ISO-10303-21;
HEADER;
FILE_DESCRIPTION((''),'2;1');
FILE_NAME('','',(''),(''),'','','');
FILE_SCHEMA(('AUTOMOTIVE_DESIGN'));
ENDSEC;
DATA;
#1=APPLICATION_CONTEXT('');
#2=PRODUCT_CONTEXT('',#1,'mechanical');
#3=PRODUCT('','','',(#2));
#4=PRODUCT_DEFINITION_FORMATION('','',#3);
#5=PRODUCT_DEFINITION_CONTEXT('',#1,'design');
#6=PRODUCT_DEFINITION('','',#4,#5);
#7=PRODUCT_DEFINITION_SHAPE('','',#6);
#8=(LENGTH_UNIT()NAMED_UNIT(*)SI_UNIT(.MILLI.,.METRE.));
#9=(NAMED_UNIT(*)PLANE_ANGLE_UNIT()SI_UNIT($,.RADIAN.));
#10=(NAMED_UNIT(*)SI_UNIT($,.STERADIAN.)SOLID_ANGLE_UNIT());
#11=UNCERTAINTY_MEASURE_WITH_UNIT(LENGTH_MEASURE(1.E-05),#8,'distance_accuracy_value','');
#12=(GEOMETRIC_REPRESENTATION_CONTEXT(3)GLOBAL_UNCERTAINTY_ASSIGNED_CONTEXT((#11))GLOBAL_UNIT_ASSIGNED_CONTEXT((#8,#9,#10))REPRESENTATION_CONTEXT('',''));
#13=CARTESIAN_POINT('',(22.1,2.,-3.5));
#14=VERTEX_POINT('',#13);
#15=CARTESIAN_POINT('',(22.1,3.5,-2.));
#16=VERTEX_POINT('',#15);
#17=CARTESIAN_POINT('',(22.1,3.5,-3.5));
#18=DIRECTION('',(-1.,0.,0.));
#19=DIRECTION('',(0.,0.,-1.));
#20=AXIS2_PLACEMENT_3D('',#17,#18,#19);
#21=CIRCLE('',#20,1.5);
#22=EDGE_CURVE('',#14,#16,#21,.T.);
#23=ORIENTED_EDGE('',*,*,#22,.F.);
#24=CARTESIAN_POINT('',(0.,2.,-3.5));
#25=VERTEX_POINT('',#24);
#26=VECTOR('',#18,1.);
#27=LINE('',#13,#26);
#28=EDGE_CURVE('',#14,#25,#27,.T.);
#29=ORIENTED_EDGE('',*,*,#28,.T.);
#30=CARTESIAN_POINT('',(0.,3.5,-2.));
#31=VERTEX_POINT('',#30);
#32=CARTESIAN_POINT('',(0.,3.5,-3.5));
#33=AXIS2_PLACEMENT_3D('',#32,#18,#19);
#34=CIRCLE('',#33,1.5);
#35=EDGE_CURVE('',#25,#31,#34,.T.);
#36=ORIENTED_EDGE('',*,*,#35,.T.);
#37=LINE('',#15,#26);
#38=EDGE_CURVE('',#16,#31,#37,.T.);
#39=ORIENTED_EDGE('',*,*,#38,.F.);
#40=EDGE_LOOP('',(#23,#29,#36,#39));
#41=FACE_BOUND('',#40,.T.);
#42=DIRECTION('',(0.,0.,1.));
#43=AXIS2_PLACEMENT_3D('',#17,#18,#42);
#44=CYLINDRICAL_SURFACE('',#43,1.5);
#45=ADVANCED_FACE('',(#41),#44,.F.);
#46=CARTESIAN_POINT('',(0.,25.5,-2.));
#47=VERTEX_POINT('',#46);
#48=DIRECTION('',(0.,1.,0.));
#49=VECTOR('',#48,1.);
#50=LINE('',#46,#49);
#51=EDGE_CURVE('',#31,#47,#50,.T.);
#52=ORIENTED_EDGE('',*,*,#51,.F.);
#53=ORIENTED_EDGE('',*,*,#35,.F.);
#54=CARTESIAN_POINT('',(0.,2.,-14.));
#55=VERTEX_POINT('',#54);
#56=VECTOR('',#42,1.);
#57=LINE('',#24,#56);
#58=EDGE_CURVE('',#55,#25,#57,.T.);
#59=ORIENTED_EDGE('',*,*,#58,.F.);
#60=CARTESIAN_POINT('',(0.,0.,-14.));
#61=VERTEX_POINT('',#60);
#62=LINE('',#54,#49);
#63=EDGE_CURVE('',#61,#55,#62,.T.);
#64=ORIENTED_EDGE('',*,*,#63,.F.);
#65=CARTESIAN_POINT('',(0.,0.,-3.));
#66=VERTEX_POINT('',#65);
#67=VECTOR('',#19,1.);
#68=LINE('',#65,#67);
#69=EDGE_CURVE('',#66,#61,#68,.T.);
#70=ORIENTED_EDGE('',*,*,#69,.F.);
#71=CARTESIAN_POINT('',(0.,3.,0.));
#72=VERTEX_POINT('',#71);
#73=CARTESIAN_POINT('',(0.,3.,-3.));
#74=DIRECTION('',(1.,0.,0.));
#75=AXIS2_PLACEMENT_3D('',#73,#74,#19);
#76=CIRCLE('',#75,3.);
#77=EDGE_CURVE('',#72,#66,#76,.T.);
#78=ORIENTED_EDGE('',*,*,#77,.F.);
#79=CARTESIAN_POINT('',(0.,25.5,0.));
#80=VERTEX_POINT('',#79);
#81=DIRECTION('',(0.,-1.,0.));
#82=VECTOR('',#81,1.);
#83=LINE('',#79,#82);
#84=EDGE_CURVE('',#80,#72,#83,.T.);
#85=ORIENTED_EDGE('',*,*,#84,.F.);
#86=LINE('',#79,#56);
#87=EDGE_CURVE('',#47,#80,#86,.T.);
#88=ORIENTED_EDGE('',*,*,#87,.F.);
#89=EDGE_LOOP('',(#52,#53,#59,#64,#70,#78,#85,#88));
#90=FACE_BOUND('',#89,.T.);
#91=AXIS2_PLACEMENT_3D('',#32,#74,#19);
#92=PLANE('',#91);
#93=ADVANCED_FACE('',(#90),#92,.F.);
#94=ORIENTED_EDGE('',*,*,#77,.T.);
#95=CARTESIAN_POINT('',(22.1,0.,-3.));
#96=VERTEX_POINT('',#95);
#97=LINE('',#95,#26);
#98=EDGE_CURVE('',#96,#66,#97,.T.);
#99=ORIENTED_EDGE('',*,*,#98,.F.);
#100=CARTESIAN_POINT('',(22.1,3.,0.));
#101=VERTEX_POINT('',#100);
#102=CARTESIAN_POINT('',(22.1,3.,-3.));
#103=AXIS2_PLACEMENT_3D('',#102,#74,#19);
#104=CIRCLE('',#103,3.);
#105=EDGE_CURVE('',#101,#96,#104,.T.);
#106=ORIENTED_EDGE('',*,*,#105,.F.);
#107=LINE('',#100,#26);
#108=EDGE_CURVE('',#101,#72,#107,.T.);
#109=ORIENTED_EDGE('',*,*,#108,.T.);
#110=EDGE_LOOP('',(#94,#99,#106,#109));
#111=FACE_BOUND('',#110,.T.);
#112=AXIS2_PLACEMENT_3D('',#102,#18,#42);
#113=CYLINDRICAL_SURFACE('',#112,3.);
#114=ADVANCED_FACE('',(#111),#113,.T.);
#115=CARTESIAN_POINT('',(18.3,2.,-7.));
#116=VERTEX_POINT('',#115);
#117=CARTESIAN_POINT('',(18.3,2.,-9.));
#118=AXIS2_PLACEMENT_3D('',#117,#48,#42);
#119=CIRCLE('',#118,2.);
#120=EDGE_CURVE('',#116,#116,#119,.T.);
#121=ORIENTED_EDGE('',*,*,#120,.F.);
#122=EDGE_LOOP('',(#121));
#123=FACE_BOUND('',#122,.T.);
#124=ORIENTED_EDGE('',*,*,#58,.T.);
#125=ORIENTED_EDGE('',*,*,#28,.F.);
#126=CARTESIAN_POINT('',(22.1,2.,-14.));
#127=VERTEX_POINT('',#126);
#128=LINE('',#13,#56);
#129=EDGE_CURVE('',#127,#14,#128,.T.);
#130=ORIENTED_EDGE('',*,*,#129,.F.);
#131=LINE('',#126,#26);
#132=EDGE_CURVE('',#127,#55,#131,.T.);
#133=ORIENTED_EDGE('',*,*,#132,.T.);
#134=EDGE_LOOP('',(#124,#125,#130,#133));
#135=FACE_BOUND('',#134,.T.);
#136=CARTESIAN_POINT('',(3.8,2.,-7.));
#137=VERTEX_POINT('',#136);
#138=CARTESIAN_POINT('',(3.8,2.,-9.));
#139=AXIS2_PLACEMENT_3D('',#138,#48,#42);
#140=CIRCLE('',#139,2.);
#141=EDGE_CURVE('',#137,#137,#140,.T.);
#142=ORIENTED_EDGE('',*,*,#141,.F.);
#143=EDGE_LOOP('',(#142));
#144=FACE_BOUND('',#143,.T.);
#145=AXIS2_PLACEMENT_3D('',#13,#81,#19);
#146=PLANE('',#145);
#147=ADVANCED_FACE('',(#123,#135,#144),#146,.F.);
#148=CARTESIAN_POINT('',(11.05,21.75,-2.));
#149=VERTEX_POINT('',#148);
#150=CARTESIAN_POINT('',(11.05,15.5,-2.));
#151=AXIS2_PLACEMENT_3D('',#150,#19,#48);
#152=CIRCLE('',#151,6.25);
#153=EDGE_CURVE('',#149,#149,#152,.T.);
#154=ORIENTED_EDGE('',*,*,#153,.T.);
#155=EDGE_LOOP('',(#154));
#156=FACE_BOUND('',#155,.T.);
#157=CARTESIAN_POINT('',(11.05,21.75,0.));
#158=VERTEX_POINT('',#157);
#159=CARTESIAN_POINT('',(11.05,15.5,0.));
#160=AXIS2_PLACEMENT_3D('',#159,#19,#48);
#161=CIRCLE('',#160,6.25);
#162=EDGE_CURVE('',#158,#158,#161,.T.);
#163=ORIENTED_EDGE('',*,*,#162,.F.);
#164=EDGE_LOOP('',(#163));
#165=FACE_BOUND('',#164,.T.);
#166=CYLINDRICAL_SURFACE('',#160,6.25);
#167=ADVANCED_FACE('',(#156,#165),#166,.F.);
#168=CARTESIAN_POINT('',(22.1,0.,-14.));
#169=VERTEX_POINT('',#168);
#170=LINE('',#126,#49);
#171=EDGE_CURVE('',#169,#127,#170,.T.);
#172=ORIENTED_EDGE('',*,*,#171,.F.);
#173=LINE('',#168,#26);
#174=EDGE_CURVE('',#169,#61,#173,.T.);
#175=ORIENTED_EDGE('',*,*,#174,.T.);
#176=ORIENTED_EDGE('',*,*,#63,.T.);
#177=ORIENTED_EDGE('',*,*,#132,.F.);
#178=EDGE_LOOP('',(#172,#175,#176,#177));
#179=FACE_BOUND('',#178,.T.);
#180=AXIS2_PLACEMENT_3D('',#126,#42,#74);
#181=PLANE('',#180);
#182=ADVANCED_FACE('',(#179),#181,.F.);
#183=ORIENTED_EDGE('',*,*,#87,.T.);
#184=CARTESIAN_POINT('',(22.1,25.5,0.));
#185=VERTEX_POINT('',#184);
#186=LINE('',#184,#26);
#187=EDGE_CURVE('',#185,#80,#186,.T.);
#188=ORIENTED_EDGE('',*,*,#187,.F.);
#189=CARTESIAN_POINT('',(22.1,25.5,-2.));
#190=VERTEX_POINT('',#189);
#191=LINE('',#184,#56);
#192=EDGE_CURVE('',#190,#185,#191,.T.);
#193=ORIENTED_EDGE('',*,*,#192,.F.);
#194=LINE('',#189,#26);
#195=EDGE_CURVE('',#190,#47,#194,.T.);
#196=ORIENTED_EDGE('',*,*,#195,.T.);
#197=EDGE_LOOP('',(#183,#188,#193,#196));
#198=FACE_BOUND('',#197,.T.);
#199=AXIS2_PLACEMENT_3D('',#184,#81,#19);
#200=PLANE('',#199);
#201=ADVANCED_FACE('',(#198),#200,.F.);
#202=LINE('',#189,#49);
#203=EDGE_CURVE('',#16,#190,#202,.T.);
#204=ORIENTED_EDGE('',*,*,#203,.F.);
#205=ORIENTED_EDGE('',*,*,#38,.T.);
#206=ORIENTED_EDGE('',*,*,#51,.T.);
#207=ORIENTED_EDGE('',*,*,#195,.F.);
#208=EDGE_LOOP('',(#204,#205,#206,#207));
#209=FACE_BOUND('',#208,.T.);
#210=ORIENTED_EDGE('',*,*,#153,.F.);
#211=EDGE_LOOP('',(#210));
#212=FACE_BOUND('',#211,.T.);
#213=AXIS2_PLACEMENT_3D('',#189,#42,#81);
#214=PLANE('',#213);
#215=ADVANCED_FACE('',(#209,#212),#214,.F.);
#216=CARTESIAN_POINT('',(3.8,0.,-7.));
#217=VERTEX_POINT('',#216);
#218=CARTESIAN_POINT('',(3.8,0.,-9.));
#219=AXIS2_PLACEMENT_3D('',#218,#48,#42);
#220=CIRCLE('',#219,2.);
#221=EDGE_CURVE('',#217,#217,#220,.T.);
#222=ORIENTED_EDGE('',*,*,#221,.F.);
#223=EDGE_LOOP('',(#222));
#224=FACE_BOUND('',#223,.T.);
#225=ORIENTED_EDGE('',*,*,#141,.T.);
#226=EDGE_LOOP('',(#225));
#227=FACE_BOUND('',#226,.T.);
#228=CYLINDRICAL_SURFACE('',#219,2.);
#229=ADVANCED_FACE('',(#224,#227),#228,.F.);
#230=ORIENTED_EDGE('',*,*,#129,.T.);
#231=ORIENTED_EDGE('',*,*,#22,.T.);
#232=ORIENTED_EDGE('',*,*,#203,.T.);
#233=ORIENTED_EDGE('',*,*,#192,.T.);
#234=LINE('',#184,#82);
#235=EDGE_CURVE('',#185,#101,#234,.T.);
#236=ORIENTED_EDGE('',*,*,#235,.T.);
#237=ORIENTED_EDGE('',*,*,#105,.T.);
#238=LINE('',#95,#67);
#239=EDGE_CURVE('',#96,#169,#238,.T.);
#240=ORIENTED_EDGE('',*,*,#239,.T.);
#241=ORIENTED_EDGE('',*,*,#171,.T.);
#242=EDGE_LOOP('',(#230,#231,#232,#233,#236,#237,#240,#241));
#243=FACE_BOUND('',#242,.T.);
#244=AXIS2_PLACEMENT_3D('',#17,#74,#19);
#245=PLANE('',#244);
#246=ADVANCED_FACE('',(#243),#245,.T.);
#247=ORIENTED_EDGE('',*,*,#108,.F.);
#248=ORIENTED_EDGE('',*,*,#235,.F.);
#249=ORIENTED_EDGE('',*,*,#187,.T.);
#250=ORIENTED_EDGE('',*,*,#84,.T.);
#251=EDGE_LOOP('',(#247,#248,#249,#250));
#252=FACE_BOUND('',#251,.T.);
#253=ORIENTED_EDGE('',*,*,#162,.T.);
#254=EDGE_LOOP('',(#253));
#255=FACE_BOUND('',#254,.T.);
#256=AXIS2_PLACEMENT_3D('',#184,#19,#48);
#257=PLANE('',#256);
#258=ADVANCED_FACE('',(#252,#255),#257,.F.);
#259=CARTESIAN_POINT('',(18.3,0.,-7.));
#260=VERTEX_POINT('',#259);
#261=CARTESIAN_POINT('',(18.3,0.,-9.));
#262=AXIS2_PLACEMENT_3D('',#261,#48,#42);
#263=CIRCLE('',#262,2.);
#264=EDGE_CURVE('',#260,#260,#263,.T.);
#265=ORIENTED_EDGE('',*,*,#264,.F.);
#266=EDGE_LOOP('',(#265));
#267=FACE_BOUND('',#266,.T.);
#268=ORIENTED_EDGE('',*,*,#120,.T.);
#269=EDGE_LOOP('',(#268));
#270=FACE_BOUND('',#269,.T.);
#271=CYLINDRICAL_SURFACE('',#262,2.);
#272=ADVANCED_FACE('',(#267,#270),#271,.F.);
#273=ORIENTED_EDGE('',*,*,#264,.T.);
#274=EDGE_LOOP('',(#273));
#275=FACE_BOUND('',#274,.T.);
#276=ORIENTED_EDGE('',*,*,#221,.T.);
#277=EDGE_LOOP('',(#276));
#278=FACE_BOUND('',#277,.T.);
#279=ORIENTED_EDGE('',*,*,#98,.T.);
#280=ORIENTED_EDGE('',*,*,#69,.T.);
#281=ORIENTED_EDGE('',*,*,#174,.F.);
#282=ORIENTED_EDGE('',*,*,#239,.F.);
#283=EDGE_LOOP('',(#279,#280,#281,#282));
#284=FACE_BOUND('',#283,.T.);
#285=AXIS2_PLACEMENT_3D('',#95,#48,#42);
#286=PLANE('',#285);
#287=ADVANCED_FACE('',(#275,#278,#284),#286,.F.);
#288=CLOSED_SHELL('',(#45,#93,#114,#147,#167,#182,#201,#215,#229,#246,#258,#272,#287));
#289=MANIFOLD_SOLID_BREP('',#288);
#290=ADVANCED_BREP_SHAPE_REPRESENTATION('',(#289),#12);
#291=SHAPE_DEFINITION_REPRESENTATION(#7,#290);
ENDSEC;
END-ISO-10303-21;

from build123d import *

# Parameters (mm, degrees)
BOSS_EXTRU_1_DEPTH      = 22.1
ESQUISSE2_R             = 2
ENL_V_MAT_EXTRU_1_DEPTH = 3
ESQUISSE3_R             = 6.25
ENL_V_MAT_EXTRU_2_DEPTH = 3


with BuildPart() as part:
    # Esquisse1 → Boss.-Extru.1 (new body)
    with BuildSketch(Plane(origin=(0, 0, 0), x_dir=(0, 0, -1), z_dir=(1, 0, 0))):
        with BuildLine():
            Line((0, 25.5), (0, 3))
            ThreePointArc((0, 3), (0.878679656, 0.878679656), (3, 0))
            Line((3, 0), (14, 0))
            Line((14, 0), (14, 2))
            Line((14, 2), (3.5, 2))
            ThreePointArc((3.5, 2), (2.439339828, 2.439339828), (2, 3.5))
            Line((2, 3.5), (2, 25.5))
            Line((2, 25.5), (0, 25.5))
        make_face()
    extrude(amount=BOSS_EXTRU_1_DEPTH)

    # Esquisse2 → Enlèv. mat.-Extru.1 (cut, through all)
    with BuildSketch(Plane(origin=(0, 2, 0), x_dir=(1, 0, 0), z_dir=(0, 1, 0))):
        with Locations((3.8, 9)):
            Circle(ESQUISSE2_R)
        with Locations((18.3, 9)):
            Circle(ESQUISSE2_R)
    extrude(amount=-ENL_V_MAT_EXTRU_1_DEPTH, mode=Mode.SUBTRACT)

    # Esquisse3 → Enlèv. mat.-Extru.2 (cut, through all)
    with BuildSketch(Plane(origin=(0, 0, -2), x_dir=(-1, 0, 0), z_dir=(0, 0, -1))):
        with Locations((-11.05, 15.5)):
            Circle(ESQUISSE3_R)
    extrude(amount=-ENL_V_MAT_EXTRU_2_DEPTH, mode=Mode.SUBTRACT)


solid = part.part
